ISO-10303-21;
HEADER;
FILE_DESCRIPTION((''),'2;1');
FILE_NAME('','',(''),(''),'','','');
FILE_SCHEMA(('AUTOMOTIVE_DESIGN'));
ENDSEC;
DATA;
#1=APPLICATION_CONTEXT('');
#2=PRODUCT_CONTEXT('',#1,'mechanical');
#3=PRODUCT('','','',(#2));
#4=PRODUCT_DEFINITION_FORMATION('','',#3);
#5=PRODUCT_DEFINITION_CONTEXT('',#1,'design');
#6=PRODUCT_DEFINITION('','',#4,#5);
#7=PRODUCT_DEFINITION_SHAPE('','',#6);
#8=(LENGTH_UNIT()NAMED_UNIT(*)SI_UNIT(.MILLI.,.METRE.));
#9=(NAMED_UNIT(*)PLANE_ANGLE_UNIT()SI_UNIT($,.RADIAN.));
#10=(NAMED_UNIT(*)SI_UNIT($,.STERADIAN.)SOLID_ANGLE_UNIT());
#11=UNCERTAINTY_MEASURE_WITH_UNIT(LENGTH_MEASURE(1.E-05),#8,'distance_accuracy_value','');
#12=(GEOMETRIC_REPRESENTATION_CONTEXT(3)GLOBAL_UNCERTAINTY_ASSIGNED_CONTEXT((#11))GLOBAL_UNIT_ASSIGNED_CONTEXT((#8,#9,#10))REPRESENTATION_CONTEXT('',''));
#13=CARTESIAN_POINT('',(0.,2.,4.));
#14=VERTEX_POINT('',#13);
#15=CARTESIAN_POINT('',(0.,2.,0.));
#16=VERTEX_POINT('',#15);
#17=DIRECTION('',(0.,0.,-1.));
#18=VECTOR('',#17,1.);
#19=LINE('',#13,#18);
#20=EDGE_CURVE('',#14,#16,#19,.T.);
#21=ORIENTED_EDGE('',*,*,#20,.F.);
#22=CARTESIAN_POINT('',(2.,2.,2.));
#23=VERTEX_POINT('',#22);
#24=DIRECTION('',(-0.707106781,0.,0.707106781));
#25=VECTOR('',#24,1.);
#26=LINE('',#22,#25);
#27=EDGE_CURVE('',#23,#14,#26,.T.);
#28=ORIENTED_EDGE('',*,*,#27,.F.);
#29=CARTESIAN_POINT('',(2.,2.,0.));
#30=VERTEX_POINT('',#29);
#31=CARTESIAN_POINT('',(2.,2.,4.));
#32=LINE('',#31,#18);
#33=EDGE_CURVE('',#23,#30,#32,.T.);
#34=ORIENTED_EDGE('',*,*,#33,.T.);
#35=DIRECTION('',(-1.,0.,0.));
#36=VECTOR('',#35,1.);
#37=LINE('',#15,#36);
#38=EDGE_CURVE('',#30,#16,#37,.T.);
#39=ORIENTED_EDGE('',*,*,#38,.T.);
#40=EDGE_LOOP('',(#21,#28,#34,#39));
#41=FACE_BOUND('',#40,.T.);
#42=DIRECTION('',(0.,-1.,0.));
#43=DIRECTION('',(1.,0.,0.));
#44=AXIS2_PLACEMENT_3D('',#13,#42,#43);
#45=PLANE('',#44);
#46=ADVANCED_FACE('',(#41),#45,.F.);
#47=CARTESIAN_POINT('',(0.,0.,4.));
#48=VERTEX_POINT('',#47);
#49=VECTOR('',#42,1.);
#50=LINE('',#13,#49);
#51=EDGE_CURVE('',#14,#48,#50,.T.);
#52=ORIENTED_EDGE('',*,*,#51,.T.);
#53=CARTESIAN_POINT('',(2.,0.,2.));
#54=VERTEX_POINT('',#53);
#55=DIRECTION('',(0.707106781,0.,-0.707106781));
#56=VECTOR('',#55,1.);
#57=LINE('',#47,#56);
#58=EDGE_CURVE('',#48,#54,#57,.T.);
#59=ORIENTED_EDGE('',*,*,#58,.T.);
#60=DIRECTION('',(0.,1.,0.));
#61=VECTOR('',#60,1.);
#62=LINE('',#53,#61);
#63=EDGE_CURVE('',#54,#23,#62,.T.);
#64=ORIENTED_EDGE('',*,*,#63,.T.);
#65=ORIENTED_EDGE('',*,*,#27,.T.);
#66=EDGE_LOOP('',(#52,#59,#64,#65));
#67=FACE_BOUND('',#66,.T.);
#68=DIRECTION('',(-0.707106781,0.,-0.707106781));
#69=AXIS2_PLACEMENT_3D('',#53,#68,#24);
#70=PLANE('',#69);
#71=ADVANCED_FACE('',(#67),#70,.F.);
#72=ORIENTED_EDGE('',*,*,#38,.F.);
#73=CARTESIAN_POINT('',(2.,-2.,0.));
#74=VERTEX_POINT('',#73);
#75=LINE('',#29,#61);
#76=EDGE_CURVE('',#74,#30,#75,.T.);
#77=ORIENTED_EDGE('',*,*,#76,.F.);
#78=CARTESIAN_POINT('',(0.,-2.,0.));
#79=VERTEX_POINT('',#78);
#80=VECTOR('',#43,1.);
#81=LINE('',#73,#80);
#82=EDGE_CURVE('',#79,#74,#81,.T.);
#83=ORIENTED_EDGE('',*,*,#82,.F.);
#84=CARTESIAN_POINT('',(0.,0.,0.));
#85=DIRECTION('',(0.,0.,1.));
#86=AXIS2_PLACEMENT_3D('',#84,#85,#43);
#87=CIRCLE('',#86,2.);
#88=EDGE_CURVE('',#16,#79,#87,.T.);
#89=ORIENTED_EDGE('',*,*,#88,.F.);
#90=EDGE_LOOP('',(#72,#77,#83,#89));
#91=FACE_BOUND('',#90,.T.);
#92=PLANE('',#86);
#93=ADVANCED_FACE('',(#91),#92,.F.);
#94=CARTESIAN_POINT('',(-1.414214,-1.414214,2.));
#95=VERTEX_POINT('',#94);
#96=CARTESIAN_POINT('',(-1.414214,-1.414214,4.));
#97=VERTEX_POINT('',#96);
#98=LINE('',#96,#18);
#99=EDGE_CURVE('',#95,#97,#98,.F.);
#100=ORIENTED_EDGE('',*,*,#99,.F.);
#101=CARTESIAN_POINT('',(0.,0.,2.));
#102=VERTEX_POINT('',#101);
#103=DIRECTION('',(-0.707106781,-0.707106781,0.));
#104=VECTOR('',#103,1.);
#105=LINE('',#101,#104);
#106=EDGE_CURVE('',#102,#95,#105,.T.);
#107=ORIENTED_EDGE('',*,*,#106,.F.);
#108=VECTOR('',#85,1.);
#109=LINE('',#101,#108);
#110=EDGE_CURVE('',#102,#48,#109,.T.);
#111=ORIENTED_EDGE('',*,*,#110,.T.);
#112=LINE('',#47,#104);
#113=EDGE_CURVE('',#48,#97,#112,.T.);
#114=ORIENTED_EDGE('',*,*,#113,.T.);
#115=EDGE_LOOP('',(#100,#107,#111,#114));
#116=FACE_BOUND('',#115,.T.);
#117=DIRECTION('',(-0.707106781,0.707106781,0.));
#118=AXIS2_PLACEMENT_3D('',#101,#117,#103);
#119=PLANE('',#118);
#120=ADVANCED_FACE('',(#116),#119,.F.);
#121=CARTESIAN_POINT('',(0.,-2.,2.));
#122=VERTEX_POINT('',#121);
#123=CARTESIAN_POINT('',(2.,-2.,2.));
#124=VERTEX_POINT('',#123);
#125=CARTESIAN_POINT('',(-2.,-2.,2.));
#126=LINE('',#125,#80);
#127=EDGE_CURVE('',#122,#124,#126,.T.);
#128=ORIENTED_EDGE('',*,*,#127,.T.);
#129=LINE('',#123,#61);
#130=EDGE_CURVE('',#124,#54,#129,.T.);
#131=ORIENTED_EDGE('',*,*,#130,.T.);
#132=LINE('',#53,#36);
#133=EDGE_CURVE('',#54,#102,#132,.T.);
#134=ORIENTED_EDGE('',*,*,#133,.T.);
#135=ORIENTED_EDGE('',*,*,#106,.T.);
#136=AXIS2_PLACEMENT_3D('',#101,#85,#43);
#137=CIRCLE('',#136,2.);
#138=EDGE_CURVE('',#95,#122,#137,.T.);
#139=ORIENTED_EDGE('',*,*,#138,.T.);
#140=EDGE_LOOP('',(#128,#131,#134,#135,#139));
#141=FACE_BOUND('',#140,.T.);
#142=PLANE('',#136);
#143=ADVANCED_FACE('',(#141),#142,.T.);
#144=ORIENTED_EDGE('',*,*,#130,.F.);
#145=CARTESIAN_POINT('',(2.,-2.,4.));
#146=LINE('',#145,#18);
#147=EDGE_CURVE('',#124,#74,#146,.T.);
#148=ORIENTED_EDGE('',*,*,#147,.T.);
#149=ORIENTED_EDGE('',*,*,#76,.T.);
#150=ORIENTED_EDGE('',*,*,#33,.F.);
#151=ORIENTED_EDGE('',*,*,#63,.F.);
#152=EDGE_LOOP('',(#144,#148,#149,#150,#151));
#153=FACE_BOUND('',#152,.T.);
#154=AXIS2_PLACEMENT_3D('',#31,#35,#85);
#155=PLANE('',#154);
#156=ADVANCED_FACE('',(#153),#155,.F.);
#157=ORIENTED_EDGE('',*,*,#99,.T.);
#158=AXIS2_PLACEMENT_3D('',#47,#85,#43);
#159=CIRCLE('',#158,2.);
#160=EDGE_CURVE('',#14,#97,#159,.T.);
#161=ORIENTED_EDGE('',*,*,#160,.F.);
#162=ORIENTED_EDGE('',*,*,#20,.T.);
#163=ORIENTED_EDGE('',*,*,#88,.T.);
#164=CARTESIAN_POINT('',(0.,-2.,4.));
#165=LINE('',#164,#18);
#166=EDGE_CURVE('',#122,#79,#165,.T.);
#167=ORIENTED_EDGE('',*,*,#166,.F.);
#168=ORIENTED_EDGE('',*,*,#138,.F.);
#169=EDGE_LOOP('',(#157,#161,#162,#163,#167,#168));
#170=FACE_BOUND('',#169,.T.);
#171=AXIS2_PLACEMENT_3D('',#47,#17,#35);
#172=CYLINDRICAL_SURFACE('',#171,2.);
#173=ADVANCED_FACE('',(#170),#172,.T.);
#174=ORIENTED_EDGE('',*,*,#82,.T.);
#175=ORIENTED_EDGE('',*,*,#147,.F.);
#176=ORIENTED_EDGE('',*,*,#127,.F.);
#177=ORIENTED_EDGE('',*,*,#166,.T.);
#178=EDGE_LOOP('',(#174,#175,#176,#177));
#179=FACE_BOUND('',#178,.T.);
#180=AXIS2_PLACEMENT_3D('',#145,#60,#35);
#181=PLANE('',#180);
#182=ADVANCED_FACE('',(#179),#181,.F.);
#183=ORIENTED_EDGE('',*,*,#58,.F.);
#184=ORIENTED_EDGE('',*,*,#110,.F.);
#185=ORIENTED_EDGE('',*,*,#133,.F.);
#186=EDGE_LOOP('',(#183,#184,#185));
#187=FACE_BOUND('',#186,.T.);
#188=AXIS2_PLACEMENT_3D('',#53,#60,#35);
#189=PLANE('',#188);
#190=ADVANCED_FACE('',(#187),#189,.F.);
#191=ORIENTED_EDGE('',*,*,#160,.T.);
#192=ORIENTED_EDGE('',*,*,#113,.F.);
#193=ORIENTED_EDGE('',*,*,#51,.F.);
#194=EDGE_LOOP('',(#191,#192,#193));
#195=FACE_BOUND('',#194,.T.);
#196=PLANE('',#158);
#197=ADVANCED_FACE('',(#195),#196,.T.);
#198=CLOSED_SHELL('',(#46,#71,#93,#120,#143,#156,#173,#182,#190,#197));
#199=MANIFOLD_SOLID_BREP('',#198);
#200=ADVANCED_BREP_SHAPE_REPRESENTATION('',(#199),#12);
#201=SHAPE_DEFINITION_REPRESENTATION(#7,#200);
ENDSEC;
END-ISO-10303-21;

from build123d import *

# Parameters (mm, degrees)
BOSS_EXTRUDE1_DEPTH = 4
CUT_EXTRUDE2_DEPTH  = 2
CUT_EXTRUDE5_DEPTH  = 2


with BuildPart() as part:
    # Sketch1 → Boss-Extrude1 (new body)
    with BuildSketch(Plane.XY):
        with BuildLine():
            Line((0, 2), (2, 2))
            Line((2, 2), (2, -2))
            Line((2, -2), (0, -2))
            ThreePointArc((0, -2), (-2, 0), (0, 2))
        make_face()
    extrude(amount=BOSS_EXTRUDE1_DEPTH)

    # Sketch3 → Cut-Extrude2 (cut)
    with BuildSketch(Plane.XY.offset(4)):
        Polygon((2, 0), (0, 0), (-2, -2), (2, -2), align=None)
    extrude(amount=-CUT_EXTRUDE2_DEPTH, mode=Mode.SUBTRACT)

    # 3DSketch2 → Cut-Extrude5 (cut, along a direction that is not the sketch's normal)
    with BuildSketch(Plane(origin=(0, 0, 4), x_dir=(0.5773502691896283, 0.5773502691896234, -0.5773502691896257), z_dir=(-0.707106781186546, 0, -0.7071067811865491))):
        Polygon((0, 0), (2.309401077, 1.632993162), (3.464101615, 0), (1.154700538, -1.632993162), align=None)
    extrude(amount=-CUT_EXTRUDE5_DEPTH, dir=(0, 0, -1), mode=Mode.SUBTRACT)


solid = part.part
